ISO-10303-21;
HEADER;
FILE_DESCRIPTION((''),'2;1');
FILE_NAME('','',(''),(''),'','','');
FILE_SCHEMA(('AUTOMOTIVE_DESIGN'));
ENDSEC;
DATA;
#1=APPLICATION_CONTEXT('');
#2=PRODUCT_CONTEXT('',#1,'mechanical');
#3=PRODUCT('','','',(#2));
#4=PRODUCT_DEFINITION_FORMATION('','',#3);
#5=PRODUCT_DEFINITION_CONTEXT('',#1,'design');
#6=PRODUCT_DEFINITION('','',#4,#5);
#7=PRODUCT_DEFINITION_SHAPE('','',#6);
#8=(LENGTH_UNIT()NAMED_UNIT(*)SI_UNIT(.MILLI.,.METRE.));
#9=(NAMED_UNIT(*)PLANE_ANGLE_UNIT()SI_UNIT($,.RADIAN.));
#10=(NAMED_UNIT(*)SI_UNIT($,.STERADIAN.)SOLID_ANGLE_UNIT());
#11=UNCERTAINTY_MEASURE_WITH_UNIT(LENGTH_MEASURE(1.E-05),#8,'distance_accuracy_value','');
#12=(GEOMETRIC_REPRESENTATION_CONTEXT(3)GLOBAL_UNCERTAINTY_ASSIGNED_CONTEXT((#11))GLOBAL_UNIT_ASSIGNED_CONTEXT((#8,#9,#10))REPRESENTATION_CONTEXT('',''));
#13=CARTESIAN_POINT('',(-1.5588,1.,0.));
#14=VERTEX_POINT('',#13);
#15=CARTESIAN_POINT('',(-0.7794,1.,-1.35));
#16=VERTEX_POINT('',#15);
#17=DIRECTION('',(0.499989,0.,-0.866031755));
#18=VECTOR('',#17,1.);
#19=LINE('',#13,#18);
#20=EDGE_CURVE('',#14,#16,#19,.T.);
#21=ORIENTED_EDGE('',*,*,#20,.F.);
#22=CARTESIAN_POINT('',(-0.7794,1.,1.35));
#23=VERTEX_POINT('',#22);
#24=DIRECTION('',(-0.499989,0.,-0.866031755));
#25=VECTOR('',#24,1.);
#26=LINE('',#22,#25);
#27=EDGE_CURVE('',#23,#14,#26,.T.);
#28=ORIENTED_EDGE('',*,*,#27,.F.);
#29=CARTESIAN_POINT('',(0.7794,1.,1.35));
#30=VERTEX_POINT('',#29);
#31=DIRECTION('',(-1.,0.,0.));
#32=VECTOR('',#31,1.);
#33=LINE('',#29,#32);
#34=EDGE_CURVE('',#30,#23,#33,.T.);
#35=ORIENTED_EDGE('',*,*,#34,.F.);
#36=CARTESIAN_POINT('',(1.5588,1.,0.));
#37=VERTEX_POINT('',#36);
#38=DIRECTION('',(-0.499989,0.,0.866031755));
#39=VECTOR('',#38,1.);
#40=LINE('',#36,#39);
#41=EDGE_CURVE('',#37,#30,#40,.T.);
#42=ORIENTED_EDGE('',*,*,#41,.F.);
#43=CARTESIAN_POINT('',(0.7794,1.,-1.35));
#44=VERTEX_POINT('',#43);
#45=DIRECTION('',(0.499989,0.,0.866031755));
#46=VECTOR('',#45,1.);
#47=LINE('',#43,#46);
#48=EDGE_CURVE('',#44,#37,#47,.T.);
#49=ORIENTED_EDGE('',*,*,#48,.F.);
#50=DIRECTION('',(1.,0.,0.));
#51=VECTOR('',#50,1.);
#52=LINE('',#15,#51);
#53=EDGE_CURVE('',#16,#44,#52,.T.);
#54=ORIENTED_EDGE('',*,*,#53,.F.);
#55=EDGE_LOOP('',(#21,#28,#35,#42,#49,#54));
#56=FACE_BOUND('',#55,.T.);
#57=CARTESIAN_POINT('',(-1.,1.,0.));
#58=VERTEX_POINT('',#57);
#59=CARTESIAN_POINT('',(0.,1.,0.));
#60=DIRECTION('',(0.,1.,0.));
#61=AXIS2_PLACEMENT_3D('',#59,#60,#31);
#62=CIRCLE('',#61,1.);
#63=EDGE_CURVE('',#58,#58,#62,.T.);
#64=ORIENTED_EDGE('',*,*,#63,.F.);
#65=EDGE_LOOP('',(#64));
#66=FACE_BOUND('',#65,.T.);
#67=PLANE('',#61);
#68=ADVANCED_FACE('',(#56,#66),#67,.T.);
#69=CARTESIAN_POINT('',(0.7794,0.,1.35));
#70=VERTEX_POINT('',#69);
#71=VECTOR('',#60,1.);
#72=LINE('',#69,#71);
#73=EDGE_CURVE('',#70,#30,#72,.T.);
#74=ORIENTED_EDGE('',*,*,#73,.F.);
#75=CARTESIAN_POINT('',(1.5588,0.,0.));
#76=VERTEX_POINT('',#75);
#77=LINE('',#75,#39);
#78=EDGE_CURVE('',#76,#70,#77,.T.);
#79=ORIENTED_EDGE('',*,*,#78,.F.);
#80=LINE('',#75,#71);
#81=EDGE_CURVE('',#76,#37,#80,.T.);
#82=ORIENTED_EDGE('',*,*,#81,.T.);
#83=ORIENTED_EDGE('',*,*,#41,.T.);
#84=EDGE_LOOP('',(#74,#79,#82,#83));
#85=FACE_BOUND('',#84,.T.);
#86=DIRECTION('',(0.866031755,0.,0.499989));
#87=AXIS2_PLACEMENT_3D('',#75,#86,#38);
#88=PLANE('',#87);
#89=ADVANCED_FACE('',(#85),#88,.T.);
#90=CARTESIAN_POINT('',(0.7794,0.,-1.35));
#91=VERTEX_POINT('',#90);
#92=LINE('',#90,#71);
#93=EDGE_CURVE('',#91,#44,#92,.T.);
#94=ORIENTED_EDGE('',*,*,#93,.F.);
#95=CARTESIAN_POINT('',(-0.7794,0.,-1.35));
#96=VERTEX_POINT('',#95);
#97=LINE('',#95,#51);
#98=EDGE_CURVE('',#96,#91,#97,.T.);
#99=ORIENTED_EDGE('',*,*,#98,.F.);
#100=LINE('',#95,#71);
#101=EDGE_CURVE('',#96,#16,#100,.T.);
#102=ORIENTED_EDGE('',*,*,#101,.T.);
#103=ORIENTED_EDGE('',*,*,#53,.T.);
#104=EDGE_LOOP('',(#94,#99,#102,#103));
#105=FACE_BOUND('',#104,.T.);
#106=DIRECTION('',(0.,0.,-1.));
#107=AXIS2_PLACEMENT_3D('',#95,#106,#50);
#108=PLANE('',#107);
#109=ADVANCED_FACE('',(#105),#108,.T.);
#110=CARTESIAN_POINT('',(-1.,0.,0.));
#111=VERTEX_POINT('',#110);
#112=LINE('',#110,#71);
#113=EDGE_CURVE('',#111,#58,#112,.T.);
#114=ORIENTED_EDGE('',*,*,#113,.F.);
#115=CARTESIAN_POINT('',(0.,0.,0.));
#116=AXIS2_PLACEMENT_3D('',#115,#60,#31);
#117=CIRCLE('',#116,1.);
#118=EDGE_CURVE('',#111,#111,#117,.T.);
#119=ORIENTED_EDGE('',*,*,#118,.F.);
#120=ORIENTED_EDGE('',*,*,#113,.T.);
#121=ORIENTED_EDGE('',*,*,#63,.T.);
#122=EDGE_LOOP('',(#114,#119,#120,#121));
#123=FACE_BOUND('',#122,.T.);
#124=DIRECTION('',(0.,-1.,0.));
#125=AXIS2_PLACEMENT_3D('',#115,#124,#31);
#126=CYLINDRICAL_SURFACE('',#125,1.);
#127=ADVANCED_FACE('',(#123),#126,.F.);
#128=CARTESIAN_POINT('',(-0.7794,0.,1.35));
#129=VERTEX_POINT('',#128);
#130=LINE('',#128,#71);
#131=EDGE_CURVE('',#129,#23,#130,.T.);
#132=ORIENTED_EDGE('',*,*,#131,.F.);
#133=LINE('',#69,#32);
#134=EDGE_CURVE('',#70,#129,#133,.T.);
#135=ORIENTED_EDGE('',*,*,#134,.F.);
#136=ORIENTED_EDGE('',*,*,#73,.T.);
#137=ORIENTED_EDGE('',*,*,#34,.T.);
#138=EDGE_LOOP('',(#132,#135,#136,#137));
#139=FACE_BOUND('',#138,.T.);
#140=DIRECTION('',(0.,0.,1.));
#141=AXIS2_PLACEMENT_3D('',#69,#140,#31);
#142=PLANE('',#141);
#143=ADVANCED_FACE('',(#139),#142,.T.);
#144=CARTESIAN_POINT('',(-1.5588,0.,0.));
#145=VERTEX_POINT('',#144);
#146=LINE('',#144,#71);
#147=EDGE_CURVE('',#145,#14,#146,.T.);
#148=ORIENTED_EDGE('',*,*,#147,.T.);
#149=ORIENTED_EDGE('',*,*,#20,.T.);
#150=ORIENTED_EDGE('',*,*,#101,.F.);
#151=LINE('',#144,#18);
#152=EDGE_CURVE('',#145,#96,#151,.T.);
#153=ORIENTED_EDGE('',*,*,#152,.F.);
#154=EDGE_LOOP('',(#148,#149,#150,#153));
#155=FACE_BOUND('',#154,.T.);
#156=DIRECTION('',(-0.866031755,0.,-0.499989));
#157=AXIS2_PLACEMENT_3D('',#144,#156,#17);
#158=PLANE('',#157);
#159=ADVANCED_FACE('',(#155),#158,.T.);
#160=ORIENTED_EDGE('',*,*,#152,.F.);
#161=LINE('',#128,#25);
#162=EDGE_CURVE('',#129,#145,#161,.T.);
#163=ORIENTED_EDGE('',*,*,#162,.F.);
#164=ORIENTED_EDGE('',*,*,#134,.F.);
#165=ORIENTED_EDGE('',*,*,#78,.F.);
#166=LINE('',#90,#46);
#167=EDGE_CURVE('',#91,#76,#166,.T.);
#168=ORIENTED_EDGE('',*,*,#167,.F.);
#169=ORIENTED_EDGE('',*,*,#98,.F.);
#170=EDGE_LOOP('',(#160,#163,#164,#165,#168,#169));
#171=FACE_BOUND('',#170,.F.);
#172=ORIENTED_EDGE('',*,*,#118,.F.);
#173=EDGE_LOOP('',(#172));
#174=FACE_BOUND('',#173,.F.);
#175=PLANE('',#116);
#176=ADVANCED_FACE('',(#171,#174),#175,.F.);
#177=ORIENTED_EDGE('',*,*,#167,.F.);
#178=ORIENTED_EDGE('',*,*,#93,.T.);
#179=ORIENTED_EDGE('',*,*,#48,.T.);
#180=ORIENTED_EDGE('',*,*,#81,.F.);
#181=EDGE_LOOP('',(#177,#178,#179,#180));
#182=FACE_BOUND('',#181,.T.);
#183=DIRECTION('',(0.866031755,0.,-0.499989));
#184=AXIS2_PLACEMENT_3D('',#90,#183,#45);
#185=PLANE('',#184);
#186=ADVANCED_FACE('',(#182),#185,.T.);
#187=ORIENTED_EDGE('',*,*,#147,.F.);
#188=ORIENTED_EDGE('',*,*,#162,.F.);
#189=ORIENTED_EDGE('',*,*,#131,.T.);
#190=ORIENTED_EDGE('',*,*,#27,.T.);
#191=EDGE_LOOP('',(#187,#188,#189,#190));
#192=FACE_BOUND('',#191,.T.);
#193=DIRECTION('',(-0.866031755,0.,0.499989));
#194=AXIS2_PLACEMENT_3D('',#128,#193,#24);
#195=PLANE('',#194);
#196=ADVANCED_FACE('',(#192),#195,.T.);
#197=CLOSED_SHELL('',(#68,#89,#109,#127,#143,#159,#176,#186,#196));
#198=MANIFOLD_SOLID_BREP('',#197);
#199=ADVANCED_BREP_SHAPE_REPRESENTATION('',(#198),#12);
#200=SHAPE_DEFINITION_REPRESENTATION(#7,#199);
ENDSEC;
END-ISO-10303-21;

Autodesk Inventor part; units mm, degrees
ref_plane "YZ Plane" through (0, 0, 0) normal (1, 0, 0) x (0, 1, 0)
ref_plane "XZ Plane" through (0, 0, 0) normal (0, 1, 0) x (-1, 0, 0)
ref_plane "XY Plane" through (0, 0, 0) normal (0, 0, 1) x (1, 0, 0)
sketch "Sketch1" plane through (0, 0, 0) normal (0, 1, 0) x (-1, 0, 0)
  circle A0 centre (0, 0) radius 1
  line L0 (1.5588, 0) -> (0.7794, -1.35)
  line L1 (0.7794, -1.35) -> (-0.7794, -1.35)
  line L2 (-0.7794, -1.35) -> (-1.5588, 0)
  line L3 (-1.5588, 0) -> (-0.7794, 1.35)
  line L4 (-0.7794, 1.35) -> (0.7794, 1.35)
  line L5 (0.7794, 1.35) -> (1.5588, 0)
  dimension "d0" = 2
  dimension "d1" = 2.7
extrude "Extrusion1" add sketch "Sketch1" along normal blind 1
thread "Thread1" size "M2x0.4" class "6H" standard "ANSI Metric M Profile" full length
properties part number "LCD Nut" material "Stainless Steel"
